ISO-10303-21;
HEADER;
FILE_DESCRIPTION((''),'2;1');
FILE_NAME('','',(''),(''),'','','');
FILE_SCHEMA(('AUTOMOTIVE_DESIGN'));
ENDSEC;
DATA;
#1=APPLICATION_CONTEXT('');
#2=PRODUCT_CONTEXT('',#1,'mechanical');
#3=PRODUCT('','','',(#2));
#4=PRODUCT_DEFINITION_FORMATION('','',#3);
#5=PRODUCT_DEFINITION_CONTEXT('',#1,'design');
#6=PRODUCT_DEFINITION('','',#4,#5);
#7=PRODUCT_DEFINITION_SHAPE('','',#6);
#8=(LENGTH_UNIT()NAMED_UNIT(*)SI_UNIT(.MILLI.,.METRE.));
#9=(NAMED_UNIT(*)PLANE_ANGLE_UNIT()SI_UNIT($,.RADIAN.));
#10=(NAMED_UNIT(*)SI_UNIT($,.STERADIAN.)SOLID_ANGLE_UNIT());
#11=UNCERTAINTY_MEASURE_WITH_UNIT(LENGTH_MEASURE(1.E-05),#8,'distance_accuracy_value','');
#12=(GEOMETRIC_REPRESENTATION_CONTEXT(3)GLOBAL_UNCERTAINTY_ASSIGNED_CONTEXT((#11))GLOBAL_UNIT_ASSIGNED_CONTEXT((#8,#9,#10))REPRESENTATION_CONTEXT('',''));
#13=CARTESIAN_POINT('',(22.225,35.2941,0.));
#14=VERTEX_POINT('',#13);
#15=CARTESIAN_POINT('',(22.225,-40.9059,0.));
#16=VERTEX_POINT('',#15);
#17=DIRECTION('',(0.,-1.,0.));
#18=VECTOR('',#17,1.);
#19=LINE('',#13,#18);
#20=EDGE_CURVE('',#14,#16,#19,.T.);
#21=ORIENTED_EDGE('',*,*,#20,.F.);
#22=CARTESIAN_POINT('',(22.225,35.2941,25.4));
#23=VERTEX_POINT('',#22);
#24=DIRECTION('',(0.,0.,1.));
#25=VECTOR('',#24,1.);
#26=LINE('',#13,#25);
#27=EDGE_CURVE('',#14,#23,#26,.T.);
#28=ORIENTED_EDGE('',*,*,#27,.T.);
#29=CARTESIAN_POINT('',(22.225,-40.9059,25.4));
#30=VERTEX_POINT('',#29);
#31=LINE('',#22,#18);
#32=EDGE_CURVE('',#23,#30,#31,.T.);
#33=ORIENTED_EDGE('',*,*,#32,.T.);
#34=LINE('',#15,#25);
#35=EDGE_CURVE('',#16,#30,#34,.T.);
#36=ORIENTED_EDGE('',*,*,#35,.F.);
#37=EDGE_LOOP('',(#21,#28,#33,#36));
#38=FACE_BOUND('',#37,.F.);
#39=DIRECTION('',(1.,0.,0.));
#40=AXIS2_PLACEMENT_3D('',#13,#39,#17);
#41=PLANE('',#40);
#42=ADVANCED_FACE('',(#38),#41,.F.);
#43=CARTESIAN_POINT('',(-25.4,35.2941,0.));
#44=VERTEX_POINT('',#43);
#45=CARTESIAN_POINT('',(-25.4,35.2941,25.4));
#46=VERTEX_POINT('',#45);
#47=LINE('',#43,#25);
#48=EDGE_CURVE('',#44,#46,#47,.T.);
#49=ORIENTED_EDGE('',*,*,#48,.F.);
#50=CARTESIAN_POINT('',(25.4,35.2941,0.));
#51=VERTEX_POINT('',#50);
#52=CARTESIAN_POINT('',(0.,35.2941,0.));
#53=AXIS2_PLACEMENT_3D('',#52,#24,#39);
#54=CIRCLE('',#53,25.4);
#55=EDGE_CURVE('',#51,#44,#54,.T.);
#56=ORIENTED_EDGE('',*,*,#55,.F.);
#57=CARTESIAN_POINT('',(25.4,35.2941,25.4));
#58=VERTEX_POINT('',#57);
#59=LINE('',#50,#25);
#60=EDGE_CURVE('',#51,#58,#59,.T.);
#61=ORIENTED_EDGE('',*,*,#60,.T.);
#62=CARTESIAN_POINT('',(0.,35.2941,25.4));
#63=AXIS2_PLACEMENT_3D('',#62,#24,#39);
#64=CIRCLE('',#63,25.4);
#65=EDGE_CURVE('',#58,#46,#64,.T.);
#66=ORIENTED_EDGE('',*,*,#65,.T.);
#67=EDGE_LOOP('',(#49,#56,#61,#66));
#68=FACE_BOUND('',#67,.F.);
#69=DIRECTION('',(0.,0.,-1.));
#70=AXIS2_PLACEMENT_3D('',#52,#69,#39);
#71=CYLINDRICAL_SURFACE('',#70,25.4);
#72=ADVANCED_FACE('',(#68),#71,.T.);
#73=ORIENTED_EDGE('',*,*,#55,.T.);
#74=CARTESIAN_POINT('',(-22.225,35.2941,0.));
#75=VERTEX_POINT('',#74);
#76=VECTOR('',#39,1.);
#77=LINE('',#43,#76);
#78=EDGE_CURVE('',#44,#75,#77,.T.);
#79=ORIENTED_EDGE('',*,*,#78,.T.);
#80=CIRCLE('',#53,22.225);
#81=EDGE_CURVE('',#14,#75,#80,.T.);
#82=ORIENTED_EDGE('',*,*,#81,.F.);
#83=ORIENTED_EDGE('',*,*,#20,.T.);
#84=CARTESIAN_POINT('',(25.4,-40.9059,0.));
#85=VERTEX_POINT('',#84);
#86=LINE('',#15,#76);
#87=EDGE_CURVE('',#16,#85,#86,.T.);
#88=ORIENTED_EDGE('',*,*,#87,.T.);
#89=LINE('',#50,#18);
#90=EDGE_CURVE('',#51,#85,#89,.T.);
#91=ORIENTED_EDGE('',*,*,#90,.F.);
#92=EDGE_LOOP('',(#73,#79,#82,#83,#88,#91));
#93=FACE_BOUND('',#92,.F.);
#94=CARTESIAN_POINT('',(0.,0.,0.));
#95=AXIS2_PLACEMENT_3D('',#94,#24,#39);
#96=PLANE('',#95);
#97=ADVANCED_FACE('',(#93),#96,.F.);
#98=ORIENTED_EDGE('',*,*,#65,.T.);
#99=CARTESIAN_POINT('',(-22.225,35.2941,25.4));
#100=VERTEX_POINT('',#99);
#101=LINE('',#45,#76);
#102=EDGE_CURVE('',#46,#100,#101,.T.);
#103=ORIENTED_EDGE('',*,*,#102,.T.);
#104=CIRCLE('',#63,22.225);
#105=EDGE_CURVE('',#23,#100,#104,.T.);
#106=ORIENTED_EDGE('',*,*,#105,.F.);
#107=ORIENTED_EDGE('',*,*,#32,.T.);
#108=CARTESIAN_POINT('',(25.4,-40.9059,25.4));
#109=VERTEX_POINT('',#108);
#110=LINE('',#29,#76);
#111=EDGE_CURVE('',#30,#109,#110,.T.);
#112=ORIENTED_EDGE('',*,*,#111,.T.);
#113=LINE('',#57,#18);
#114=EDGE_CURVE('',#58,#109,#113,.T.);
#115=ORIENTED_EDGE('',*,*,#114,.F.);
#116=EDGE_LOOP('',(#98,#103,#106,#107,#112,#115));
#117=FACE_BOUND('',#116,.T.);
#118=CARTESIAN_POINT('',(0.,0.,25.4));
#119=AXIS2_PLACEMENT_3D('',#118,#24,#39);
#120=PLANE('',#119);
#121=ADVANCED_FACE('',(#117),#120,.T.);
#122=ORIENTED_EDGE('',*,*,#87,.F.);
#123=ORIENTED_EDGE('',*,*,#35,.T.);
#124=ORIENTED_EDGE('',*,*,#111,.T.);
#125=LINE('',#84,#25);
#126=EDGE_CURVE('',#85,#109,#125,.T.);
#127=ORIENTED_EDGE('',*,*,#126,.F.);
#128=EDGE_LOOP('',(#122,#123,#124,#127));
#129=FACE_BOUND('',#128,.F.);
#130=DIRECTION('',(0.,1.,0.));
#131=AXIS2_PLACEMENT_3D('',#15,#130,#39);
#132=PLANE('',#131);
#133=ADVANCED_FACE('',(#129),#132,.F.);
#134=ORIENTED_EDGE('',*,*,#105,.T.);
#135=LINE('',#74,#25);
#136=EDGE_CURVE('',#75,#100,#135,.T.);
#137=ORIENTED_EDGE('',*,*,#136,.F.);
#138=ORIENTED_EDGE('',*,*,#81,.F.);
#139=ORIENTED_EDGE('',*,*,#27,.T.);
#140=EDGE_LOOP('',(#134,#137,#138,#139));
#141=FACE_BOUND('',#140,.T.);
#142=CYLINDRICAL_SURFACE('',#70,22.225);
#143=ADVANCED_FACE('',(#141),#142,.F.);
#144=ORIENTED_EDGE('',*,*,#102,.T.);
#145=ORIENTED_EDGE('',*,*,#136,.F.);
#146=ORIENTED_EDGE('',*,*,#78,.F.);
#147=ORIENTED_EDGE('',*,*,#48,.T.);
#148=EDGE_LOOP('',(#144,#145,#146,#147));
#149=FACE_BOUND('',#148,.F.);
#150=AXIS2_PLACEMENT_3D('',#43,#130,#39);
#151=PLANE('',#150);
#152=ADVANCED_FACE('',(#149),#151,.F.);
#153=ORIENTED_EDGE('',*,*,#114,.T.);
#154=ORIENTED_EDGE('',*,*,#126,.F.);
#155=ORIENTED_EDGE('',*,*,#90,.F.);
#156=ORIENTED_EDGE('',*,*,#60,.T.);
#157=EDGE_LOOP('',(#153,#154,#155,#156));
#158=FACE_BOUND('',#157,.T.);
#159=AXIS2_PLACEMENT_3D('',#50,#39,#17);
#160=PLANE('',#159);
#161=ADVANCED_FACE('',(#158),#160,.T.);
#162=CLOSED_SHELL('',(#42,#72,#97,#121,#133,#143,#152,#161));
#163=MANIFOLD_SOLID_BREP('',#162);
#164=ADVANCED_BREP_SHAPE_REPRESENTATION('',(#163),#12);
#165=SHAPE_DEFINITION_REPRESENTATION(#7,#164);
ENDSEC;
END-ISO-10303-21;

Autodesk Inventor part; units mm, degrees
ref_plane "YZ Plane" through (0, 0, 0) normal (1, 0, 0) x (0, 1, 0)
ref_plane "XZ Plane" through (0, 0, 0) normal (0, 1, 0) x (-1, 0, 0)
ref_plane "XY Plane" through (0, 0, 0) normal (0, 0, 1) x (1, 0, 0)
sketch "Sketch1" plane through (0, 0, 0) normal (0, 0, 1) x (1, 0, 0)
  arc A0 (25.4, 35.2941) -> (-25.4, 35.2941) centre (0, 35.2941) ccw
  line L0 (25.4, 35.2941) -> (25.4, -40.9059)
  arc A1 (22.225, 35.2941) -> (-22.225, 35.2941) centre (0, 35.2941) ccw
  line L1 (22.225, 35.2941) -> (22.225, -40.9059)
  line L2 (22.225, -40.9059) -> (25.4, -40.9059)
  line L3 (22.225, 35.2941) -> (-22.225, 35.2941) construction
  line L4 (-25.4, 35.2941) -> (-22.225, 35.2941)
  point P0 (0, 0)
  dimension "d0" = 50.8
  dimension "d2" = 76.2
  dimension "d3" = 44.45
extrude "Extrusion1" add sketch "Sketch1" along normal blind 25.4
properties part number "Hook 2.0" material "Aluminum 6061"
